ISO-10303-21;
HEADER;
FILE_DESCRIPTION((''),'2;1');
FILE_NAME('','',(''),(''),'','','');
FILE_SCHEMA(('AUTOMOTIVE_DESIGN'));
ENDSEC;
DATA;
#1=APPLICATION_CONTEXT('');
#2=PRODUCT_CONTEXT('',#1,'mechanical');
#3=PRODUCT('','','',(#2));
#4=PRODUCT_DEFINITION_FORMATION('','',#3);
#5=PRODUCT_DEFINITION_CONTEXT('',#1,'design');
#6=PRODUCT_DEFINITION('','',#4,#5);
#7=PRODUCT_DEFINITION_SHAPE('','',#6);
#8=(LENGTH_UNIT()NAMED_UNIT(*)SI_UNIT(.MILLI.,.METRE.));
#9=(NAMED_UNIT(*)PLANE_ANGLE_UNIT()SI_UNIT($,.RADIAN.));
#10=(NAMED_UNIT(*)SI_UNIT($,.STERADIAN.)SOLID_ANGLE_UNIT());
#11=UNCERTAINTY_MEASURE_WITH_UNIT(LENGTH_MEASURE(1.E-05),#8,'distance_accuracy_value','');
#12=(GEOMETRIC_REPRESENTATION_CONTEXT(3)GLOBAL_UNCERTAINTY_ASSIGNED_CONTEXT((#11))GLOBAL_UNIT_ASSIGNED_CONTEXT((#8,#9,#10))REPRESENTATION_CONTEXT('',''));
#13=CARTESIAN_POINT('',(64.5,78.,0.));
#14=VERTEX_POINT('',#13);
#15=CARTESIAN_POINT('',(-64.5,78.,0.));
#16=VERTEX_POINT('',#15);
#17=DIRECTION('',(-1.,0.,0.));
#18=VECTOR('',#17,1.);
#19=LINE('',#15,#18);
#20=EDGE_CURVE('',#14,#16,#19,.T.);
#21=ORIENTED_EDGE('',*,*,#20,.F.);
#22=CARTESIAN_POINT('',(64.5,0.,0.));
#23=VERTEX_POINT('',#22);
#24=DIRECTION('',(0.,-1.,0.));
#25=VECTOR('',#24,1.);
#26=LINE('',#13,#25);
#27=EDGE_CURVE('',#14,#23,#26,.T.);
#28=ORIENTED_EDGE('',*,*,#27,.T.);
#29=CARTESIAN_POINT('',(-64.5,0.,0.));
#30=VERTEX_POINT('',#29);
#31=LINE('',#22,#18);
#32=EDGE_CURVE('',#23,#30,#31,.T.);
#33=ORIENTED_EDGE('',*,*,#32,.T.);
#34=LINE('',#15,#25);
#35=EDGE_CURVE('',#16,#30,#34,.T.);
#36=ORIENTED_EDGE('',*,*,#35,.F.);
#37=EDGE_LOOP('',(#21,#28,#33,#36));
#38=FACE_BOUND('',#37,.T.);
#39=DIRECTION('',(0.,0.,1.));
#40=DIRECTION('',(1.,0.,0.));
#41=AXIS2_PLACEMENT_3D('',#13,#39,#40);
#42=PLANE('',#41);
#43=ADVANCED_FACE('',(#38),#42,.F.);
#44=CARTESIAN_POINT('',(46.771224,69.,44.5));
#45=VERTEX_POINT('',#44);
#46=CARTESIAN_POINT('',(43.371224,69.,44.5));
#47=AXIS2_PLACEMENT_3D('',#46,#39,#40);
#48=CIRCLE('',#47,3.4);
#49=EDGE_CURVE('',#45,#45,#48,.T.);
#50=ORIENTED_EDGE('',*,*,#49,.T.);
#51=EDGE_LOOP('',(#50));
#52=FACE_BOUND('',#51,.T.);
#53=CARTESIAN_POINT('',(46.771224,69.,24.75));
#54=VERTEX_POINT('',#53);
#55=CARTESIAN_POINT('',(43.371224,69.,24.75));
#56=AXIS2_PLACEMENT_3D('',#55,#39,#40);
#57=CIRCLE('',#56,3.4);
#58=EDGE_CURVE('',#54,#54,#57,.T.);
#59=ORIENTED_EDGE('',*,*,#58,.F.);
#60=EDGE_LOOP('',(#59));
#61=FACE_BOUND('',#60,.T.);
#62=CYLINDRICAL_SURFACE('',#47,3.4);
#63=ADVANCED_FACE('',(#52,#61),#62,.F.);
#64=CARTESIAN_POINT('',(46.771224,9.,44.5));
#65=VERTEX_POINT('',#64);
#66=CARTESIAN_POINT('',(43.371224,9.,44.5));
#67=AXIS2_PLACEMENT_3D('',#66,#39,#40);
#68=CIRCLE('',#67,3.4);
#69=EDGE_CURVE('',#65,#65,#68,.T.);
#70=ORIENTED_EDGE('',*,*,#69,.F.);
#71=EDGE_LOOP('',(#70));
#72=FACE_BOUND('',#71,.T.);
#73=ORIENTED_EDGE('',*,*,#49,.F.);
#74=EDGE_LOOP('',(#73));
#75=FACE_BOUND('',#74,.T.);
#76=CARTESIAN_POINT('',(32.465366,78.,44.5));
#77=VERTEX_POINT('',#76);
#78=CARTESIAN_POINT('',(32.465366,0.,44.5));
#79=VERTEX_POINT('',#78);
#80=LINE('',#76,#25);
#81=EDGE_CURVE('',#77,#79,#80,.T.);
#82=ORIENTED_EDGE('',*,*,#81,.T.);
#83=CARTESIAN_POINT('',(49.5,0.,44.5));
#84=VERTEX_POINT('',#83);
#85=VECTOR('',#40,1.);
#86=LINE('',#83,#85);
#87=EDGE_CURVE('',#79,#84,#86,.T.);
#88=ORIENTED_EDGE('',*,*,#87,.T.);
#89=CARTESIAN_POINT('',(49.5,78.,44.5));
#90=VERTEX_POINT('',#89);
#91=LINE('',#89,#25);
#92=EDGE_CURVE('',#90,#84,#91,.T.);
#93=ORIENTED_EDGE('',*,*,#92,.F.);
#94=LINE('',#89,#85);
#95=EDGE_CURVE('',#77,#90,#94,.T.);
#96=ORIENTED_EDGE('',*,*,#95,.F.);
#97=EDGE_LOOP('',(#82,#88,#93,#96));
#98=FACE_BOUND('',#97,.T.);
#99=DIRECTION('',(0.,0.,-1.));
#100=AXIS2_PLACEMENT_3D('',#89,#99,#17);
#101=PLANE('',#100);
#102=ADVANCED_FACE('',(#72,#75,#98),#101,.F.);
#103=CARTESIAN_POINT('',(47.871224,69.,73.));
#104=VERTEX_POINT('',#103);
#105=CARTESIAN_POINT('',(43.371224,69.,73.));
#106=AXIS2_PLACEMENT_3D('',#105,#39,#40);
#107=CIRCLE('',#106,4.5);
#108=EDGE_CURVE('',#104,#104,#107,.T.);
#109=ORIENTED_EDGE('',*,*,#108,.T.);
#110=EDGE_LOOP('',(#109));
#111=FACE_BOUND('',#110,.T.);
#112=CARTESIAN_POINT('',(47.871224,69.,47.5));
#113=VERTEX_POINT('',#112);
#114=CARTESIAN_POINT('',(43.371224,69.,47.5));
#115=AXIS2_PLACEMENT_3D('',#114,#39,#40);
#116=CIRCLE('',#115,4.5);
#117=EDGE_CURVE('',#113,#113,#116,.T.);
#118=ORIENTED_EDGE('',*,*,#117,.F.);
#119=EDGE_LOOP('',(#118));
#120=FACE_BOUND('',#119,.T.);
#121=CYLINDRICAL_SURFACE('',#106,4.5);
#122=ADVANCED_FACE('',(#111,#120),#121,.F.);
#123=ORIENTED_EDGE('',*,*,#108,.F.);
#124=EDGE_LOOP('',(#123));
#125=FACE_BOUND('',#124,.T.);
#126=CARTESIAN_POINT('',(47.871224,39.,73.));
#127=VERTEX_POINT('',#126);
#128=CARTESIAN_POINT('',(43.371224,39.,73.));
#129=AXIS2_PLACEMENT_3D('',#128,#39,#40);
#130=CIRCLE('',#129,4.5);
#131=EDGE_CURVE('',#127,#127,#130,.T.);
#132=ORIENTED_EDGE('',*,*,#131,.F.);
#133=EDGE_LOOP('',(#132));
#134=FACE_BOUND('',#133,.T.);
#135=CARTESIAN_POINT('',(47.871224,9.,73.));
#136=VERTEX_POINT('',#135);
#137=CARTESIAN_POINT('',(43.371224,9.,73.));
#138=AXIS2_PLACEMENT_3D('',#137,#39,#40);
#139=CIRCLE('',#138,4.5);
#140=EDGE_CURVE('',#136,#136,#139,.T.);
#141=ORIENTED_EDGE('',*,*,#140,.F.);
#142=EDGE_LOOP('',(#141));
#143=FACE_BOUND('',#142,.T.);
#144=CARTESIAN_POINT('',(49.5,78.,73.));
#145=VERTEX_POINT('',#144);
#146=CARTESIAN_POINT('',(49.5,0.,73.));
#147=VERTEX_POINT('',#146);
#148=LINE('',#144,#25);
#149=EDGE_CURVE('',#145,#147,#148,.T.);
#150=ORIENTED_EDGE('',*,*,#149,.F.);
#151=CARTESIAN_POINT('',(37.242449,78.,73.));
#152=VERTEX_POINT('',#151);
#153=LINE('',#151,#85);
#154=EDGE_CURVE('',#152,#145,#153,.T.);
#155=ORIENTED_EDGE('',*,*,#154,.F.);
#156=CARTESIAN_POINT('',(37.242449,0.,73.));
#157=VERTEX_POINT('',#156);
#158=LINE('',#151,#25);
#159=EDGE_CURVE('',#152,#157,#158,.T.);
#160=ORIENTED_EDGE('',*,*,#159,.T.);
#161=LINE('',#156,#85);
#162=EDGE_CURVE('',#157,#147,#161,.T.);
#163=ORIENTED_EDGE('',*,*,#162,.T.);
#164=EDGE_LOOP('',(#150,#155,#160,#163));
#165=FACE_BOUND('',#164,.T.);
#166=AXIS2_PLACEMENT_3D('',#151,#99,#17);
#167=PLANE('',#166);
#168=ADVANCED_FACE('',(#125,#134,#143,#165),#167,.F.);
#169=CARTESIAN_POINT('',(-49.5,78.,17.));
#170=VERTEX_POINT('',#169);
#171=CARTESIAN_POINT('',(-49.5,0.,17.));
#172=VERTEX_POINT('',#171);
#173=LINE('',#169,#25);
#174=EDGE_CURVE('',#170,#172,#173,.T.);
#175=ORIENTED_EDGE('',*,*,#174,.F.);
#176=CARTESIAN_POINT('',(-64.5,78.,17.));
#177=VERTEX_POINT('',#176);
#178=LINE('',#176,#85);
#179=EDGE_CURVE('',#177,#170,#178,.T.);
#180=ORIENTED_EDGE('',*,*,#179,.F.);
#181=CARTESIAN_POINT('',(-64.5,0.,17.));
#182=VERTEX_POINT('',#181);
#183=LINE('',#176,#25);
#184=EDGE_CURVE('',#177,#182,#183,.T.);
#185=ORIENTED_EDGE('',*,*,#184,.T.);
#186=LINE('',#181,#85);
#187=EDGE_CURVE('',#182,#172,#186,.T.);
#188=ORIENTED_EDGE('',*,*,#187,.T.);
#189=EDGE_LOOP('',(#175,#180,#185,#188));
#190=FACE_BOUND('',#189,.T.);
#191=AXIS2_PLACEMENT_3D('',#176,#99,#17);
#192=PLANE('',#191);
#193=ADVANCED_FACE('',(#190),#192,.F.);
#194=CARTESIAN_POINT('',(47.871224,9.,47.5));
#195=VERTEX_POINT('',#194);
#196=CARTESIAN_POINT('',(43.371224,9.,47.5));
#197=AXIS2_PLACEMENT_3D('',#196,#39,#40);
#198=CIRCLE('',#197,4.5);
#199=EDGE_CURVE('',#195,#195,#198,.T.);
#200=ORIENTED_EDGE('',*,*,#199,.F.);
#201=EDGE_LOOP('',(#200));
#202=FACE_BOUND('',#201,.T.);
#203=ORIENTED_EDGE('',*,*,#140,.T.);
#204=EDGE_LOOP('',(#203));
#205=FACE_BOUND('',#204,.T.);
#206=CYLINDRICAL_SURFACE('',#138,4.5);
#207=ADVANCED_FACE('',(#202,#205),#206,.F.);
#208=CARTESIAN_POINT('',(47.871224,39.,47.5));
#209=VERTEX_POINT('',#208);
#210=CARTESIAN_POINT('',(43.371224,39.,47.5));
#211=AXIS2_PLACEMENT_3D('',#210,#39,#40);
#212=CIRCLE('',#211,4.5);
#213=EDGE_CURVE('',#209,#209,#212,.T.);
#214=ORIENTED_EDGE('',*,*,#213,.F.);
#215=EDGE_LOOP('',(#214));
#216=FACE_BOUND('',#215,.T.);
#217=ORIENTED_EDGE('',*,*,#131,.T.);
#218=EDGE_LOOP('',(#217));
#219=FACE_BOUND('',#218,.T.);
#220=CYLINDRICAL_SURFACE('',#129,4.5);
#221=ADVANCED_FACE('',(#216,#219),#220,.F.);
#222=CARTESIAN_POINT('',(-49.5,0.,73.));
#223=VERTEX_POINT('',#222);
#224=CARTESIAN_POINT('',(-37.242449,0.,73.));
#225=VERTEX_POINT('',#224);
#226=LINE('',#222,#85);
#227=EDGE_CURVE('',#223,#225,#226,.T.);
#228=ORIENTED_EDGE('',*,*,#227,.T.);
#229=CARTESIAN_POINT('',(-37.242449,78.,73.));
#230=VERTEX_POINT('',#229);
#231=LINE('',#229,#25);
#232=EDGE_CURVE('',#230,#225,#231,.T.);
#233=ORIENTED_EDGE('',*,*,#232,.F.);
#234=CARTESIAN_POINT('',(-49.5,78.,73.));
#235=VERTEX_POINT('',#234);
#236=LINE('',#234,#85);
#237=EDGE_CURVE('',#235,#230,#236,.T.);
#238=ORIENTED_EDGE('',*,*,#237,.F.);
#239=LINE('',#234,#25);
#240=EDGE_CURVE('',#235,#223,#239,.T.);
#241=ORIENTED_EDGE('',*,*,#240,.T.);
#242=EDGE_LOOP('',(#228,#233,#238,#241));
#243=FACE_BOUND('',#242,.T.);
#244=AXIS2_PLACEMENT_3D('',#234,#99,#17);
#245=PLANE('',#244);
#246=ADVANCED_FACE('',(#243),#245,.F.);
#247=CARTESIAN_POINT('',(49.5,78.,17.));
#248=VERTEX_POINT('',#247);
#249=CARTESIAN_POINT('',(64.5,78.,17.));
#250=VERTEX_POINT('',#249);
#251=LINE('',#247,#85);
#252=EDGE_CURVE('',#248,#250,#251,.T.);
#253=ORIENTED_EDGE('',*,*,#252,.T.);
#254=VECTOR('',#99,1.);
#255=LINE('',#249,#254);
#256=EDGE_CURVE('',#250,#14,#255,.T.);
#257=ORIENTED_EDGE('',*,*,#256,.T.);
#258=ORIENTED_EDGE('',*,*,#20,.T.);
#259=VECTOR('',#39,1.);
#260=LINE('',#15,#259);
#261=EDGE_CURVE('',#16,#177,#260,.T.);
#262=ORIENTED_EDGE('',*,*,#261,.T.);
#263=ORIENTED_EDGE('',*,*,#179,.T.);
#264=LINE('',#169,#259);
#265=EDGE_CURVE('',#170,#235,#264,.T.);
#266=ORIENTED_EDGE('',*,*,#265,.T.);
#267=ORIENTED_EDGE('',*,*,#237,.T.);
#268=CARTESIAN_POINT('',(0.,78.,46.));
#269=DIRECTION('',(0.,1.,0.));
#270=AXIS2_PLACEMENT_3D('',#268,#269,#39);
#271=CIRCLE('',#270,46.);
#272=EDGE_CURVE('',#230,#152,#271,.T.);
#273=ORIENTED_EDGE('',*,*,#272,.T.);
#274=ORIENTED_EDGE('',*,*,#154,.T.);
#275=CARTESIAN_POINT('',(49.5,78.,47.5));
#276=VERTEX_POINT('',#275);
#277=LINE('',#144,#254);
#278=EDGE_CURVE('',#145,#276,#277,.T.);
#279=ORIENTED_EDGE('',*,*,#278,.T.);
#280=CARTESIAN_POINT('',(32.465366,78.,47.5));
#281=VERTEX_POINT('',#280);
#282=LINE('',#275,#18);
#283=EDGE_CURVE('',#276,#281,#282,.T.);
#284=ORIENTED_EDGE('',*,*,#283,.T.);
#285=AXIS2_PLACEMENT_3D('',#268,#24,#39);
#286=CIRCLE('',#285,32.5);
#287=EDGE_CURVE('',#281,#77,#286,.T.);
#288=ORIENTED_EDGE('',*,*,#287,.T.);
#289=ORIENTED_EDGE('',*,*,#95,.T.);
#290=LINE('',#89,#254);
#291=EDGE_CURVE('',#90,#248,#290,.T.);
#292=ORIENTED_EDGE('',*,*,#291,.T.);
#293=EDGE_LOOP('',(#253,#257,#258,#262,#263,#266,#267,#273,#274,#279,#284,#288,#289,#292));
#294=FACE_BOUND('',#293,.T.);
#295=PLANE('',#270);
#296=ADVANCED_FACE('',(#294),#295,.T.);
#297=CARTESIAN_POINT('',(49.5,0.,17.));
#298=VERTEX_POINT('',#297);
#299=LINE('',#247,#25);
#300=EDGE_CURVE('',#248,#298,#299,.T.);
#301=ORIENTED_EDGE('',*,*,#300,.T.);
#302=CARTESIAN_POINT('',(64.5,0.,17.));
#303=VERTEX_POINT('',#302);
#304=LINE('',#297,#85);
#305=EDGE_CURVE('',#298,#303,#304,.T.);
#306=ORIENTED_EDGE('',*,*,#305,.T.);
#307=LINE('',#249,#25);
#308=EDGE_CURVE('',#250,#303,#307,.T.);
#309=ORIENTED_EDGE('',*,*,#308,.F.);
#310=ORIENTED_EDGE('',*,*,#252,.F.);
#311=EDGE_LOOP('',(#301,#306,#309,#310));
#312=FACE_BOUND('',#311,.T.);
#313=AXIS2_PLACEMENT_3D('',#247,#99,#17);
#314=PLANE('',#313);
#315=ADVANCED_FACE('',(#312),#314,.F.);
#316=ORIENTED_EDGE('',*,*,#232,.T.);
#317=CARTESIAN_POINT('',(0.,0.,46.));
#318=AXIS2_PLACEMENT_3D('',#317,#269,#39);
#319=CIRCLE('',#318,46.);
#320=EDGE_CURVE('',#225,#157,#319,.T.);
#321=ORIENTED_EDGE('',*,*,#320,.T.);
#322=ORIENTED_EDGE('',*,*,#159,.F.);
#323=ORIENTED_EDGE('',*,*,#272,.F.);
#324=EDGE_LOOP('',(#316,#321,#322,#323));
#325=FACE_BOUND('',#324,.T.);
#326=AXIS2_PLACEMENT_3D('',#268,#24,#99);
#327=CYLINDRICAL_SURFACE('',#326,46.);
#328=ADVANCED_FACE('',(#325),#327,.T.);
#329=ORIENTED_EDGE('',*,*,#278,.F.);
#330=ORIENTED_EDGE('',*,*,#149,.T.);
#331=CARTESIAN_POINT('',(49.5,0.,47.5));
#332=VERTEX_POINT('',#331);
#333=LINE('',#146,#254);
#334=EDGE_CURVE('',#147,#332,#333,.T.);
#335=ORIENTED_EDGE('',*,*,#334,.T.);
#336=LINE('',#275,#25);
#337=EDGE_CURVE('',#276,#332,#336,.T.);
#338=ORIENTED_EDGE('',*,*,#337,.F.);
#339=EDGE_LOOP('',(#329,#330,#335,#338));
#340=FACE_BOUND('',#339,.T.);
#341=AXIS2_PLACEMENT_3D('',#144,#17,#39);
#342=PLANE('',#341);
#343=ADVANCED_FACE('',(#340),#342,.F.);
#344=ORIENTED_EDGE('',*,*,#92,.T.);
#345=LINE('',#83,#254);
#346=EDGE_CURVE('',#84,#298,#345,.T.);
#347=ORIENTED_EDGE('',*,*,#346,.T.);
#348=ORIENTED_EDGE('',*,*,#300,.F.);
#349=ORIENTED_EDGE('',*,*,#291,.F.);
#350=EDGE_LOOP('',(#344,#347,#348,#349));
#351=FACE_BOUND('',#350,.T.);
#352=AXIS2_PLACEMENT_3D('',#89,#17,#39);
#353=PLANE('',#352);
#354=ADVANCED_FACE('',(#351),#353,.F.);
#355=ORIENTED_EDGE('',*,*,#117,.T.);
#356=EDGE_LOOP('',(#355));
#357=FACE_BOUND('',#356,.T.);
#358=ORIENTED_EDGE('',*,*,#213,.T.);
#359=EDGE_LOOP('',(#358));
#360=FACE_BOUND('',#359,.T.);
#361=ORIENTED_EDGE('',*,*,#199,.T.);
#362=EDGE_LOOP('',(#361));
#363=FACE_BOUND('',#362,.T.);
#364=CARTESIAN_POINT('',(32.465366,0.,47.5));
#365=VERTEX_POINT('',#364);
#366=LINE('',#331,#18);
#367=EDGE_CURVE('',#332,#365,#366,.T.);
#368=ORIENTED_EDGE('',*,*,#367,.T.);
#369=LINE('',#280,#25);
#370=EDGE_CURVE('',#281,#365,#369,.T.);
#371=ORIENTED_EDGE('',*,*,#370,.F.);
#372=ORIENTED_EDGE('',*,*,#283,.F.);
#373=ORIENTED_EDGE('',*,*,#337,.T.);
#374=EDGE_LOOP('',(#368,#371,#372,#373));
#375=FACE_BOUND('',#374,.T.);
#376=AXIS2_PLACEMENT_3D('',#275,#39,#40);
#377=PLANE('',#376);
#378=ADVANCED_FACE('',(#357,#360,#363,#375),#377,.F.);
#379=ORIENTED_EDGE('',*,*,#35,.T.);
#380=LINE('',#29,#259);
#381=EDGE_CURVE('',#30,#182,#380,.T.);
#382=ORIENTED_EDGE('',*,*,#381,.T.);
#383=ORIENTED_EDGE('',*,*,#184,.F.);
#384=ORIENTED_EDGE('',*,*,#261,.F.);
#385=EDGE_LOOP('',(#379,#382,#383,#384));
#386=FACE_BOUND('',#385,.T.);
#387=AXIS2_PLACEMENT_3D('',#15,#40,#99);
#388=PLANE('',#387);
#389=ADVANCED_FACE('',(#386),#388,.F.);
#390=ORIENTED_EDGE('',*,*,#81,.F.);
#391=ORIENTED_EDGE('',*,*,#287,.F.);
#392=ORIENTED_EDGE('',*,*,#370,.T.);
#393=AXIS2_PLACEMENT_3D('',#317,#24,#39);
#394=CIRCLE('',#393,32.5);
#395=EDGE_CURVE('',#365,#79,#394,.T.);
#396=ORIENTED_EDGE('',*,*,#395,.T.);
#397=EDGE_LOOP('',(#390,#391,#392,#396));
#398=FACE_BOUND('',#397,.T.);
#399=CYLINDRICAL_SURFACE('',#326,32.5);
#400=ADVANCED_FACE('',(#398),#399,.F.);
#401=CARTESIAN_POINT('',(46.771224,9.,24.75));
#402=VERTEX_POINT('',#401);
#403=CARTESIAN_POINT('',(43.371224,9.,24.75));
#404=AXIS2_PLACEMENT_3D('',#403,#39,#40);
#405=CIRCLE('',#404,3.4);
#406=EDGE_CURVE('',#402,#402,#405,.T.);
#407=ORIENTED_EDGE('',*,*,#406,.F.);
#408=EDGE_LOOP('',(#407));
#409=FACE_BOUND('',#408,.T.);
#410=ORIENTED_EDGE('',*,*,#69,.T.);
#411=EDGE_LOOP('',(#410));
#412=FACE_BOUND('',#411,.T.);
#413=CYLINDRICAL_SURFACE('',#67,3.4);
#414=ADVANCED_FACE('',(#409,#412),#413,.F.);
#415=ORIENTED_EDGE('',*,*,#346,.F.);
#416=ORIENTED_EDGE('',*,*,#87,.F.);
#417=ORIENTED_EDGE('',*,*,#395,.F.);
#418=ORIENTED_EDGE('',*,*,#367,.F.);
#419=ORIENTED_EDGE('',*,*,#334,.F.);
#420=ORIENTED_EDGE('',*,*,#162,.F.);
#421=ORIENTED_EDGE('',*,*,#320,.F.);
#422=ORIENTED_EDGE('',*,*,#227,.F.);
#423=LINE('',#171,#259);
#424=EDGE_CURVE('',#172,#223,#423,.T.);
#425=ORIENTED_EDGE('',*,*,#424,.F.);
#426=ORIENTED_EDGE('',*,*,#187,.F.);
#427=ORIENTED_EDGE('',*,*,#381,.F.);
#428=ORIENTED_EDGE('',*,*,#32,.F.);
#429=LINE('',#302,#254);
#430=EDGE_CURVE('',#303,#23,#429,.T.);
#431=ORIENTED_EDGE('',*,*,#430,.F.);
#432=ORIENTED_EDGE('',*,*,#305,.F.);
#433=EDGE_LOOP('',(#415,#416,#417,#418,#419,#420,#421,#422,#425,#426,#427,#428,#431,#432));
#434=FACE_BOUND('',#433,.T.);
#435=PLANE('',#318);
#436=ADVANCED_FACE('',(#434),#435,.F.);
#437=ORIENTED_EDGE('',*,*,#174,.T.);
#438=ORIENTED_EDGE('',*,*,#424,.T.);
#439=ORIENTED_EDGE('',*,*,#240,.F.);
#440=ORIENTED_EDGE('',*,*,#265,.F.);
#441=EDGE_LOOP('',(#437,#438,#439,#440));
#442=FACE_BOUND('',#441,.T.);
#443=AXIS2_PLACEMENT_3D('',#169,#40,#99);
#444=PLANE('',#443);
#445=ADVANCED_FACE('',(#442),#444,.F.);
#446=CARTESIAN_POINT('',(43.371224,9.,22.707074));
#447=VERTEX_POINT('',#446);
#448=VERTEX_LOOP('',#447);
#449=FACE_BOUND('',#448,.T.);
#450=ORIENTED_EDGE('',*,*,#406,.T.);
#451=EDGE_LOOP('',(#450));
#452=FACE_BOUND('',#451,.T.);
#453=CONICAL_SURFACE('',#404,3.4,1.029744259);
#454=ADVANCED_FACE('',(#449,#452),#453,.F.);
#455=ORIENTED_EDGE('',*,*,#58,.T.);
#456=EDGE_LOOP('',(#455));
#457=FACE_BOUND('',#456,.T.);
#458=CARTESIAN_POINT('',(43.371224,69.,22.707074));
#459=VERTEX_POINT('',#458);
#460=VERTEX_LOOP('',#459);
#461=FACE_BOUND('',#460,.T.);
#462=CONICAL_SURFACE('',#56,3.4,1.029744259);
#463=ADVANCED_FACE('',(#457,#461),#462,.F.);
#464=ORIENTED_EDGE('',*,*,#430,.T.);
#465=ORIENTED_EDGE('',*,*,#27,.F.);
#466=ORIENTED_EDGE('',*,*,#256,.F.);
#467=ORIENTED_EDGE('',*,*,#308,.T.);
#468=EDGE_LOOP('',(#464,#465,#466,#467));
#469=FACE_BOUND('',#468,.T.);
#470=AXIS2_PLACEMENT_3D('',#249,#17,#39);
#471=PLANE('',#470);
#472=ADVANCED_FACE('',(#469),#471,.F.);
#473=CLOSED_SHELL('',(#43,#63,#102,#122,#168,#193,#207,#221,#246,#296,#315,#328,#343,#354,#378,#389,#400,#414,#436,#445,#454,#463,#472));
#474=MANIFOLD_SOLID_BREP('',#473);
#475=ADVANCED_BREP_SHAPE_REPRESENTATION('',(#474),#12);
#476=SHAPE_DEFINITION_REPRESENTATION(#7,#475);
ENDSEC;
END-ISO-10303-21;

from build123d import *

# Parameters (mm, degrees)
BOSS_EXTRUDE1_DEPTH          = 78
F_9_0_9_DIAMETER_HOLE1_D     = 9
F_9_0_9_DIAMETER_HOLE1_DEPTH = 25.5
M8_TAPPED_HOLE1_D            = 6.8
M8_TAPPED_HOLE1_DEPTH        = 19.75
M8_TAPPED_HOLE1_TIP          = 2.042926105


with BuildPart() as part:
    # Sketch1 → Boss-Extrude1 (new body)
    with BuildSketch(Plane(origin=(0, 0, 0), x_dir=(1, 0, 0), z_dir=(0, 1, 0))):
        with BuildLine():
            Line((-64.5, 0), (-64.5, -17))
            Line((-64.5, -17), (-49.5, -17))
            Line((-49.5, -17), (-49.5, -73))
            Line((-49.5, -73), (-37.242448899, -73))
            ThreePointArc((-37.242448899, -73), (0, -92), (37.242448899, -73))
            Line((37.242448899, -73), (49.5, -73))
            Line((49.5, -73), (49.5, -47.5))
            Line((49.5, -47.5), (32.465366161, -47.5))
            ThreePointArc((32.465366161, -47.5), (-32.5, -46), (32.465366161, -44.5))
            Line((32.465366161, -44.5), (49.5, -44.5))
            Line((49.5, -44.5), (49.5, -17))
            Line((49.5, -17), (64.5, -17))
            Line((64.5, -17), (64.5, 0))
            Line((64.5, 0), (0, 0))
            Line((0, 0), (-64.5, 0))
        make_face()
    extrude(amount=BOSS_EXTRUDE1_DEPTH)

    # Ø9.0 (9) Diameter Hole1
    with Locations(Plane.XY.offset(73)):
        with Locations((43.37122445, 69), (43.37122445, 39), (43.37122445, 9)):
            Hole(F_9_0_9_DIAMETER_HOLE1_D / 2, depth=F_9_0_9_DIAMETER_HOLE1_DEPTH)

    # M8 Tapped Hole1
    with Locations(Plane.XY.offset(44.5)):
        with Locations((43.37122445, 69), (43.37122445, 9)):
            Hole(M8_TAPPED_HOLE1_D / 2, depth=M8_TAPPED_HOLE1_DEPTH)
            with Locations((0, 0, -(M8_TAPPED_HOLE1_DEPTH + M8_TAPPED_HOLE1_TIP / 2))):  # 118° drill point
                Cone(0, M8_TAPPED_HOLE1_D / 2, M8_TAPPED_HOLE1_TIP, mode=Mode.SUBTRACT)


solid = part.part
